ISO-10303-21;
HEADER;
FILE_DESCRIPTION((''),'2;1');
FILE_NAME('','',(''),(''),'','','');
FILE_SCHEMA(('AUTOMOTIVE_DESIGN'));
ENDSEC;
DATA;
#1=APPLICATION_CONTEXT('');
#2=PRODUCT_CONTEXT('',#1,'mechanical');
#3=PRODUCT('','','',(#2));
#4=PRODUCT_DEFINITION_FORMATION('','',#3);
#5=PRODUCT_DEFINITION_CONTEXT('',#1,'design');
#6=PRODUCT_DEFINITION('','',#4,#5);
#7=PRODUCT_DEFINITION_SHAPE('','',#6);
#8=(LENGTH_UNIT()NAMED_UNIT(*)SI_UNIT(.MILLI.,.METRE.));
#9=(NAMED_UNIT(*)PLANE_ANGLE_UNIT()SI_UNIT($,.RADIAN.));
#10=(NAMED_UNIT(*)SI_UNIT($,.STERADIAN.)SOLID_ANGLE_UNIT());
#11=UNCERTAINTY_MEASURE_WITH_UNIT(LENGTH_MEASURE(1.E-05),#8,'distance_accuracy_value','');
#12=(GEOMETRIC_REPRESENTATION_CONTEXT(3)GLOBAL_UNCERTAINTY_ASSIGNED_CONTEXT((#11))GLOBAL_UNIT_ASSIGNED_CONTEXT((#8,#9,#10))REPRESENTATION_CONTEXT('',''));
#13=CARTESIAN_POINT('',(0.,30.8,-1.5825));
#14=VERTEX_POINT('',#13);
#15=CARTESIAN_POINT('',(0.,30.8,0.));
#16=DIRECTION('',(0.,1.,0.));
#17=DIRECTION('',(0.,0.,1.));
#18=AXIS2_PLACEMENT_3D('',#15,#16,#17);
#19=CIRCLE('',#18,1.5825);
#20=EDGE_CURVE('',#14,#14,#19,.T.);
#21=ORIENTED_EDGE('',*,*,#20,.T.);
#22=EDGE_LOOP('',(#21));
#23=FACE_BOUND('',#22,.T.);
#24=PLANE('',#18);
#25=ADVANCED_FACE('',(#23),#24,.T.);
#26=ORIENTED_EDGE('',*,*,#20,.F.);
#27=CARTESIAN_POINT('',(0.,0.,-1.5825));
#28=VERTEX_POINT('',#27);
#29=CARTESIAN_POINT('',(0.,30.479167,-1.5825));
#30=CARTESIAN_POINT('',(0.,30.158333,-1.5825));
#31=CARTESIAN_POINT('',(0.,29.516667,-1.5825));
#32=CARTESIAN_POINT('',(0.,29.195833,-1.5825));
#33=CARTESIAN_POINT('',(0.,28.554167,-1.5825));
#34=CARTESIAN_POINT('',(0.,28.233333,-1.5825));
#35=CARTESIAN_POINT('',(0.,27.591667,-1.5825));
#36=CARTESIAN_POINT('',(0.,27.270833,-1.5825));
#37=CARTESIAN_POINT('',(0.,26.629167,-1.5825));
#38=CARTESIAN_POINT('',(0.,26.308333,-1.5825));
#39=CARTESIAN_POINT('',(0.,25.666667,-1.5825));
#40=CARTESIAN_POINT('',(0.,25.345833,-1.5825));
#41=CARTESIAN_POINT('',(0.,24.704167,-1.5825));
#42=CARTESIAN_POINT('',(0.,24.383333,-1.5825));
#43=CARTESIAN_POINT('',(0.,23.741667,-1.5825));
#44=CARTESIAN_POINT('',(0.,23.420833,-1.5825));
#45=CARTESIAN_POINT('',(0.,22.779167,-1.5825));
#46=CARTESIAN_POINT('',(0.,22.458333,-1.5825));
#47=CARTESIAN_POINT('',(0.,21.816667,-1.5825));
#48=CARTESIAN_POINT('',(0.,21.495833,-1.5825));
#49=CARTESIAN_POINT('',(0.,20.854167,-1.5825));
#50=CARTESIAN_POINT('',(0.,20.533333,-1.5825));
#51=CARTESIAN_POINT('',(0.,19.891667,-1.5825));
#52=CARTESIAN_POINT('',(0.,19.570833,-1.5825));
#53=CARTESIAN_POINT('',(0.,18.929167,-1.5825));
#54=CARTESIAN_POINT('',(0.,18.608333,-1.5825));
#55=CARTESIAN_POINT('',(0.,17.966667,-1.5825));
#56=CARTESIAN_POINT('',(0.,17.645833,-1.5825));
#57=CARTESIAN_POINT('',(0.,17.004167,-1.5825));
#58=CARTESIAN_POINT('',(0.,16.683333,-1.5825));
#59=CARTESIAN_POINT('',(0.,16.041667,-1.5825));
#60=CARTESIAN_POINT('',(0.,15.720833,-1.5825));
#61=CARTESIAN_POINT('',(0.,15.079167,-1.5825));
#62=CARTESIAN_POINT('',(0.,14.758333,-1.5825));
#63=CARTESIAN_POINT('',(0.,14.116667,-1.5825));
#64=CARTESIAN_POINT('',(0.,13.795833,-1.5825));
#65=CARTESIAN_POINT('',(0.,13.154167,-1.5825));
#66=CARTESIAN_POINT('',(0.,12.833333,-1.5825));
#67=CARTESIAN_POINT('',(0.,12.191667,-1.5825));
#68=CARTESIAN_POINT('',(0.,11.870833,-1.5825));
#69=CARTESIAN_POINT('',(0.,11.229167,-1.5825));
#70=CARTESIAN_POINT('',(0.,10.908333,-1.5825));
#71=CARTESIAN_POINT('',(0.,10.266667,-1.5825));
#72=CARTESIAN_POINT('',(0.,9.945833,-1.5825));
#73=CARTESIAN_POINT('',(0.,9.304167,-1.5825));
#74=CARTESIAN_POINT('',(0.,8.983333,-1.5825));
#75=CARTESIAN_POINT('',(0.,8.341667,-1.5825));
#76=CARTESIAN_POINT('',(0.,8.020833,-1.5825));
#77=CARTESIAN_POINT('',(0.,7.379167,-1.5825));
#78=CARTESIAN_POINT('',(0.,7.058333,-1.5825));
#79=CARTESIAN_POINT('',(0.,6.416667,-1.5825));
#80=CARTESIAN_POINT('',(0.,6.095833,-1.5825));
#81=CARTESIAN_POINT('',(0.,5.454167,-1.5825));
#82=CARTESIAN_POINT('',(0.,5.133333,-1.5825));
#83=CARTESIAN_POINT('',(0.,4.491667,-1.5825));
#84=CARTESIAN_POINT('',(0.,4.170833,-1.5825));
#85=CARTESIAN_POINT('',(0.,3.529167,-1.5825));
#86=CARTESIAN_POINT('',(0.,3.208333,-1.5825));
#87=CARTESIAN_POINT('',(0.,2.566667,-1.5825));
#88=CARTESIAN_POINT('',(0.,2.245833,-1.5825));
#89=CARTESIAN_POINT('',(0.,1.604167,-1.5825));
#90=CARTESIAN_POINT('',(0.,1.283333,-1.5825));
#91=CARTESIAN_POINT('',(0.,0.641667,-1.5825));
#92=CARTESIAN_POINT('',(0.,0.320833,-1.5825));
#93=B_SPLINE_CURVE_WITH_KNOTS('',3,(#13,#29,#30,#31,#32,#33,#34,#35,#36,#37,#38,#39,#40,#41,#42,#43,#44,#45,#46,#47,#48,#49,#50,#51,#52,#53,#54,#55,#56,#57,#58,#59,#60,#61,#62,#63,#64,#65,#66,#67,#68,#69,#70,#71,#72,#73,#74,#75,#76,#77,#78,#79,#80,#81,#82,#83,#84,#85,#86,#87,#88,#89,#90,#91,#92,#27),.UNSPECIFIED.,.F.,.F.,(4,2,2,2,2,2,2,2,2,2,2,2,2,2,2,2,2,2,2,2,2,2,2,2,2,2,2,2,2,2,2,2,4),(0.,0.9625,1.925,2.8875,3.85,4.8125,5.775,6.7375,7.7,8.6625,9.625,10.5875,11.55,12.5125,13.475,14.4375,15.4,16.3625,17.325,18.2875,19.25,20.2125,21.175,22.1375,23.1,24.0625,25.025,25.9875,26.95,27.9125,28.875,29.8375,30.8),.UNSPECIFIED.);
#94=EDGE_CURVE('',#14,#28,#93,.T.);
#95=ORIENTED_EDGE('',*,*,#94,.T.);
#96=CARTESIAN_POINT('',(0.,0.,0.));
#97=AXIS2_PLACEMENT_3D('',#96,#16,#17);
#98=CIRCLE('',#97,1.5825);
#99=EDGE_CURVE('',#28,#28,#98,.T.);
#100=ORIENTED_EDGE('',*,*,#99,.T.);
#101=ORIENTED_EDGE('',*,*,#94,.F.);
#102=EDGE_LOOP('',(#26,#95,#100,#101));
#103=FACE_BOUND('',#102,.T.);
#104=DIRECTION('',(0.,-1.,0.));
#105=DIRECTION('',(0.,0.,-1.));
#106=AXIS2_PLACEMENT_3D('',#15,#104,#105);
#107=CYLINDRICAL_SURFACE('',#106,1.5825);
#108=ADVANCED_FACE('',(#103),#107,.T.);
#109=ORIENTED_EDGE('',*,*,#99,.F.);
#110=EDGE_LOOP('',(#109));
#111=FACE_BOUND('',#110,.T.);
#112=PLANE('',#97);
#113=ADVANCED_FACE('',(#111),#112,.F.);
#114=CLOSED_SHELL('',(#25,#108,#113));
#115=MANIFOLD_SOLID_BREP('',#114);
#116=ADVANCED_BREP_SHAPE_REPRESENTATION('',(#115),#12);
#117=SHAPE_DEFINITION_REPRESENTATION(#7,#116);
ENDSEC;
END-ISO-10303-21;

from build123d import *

# Parameters (mm, degrees)
ESBO_O1_R                = 1.5825
RESSALTO_EXTRUS_O1_DEPTH = 30.8


with BuildPart() as part:
    # Esboço1 → Ressalto-extrusão1 (new body)
    with BuildSketch(Plane(origin=(0, 0, 0), x_dir=(1, 0, 0), z_dir=(0, 1, 0))):
        with Locations(Location((0, 0, 0), (0, 0, 90))):
            Circle(ESBO_O1_R)
    extrude(amount=RESSALTO_EXTRUS_O1_DEPTH)


solid = part.part
